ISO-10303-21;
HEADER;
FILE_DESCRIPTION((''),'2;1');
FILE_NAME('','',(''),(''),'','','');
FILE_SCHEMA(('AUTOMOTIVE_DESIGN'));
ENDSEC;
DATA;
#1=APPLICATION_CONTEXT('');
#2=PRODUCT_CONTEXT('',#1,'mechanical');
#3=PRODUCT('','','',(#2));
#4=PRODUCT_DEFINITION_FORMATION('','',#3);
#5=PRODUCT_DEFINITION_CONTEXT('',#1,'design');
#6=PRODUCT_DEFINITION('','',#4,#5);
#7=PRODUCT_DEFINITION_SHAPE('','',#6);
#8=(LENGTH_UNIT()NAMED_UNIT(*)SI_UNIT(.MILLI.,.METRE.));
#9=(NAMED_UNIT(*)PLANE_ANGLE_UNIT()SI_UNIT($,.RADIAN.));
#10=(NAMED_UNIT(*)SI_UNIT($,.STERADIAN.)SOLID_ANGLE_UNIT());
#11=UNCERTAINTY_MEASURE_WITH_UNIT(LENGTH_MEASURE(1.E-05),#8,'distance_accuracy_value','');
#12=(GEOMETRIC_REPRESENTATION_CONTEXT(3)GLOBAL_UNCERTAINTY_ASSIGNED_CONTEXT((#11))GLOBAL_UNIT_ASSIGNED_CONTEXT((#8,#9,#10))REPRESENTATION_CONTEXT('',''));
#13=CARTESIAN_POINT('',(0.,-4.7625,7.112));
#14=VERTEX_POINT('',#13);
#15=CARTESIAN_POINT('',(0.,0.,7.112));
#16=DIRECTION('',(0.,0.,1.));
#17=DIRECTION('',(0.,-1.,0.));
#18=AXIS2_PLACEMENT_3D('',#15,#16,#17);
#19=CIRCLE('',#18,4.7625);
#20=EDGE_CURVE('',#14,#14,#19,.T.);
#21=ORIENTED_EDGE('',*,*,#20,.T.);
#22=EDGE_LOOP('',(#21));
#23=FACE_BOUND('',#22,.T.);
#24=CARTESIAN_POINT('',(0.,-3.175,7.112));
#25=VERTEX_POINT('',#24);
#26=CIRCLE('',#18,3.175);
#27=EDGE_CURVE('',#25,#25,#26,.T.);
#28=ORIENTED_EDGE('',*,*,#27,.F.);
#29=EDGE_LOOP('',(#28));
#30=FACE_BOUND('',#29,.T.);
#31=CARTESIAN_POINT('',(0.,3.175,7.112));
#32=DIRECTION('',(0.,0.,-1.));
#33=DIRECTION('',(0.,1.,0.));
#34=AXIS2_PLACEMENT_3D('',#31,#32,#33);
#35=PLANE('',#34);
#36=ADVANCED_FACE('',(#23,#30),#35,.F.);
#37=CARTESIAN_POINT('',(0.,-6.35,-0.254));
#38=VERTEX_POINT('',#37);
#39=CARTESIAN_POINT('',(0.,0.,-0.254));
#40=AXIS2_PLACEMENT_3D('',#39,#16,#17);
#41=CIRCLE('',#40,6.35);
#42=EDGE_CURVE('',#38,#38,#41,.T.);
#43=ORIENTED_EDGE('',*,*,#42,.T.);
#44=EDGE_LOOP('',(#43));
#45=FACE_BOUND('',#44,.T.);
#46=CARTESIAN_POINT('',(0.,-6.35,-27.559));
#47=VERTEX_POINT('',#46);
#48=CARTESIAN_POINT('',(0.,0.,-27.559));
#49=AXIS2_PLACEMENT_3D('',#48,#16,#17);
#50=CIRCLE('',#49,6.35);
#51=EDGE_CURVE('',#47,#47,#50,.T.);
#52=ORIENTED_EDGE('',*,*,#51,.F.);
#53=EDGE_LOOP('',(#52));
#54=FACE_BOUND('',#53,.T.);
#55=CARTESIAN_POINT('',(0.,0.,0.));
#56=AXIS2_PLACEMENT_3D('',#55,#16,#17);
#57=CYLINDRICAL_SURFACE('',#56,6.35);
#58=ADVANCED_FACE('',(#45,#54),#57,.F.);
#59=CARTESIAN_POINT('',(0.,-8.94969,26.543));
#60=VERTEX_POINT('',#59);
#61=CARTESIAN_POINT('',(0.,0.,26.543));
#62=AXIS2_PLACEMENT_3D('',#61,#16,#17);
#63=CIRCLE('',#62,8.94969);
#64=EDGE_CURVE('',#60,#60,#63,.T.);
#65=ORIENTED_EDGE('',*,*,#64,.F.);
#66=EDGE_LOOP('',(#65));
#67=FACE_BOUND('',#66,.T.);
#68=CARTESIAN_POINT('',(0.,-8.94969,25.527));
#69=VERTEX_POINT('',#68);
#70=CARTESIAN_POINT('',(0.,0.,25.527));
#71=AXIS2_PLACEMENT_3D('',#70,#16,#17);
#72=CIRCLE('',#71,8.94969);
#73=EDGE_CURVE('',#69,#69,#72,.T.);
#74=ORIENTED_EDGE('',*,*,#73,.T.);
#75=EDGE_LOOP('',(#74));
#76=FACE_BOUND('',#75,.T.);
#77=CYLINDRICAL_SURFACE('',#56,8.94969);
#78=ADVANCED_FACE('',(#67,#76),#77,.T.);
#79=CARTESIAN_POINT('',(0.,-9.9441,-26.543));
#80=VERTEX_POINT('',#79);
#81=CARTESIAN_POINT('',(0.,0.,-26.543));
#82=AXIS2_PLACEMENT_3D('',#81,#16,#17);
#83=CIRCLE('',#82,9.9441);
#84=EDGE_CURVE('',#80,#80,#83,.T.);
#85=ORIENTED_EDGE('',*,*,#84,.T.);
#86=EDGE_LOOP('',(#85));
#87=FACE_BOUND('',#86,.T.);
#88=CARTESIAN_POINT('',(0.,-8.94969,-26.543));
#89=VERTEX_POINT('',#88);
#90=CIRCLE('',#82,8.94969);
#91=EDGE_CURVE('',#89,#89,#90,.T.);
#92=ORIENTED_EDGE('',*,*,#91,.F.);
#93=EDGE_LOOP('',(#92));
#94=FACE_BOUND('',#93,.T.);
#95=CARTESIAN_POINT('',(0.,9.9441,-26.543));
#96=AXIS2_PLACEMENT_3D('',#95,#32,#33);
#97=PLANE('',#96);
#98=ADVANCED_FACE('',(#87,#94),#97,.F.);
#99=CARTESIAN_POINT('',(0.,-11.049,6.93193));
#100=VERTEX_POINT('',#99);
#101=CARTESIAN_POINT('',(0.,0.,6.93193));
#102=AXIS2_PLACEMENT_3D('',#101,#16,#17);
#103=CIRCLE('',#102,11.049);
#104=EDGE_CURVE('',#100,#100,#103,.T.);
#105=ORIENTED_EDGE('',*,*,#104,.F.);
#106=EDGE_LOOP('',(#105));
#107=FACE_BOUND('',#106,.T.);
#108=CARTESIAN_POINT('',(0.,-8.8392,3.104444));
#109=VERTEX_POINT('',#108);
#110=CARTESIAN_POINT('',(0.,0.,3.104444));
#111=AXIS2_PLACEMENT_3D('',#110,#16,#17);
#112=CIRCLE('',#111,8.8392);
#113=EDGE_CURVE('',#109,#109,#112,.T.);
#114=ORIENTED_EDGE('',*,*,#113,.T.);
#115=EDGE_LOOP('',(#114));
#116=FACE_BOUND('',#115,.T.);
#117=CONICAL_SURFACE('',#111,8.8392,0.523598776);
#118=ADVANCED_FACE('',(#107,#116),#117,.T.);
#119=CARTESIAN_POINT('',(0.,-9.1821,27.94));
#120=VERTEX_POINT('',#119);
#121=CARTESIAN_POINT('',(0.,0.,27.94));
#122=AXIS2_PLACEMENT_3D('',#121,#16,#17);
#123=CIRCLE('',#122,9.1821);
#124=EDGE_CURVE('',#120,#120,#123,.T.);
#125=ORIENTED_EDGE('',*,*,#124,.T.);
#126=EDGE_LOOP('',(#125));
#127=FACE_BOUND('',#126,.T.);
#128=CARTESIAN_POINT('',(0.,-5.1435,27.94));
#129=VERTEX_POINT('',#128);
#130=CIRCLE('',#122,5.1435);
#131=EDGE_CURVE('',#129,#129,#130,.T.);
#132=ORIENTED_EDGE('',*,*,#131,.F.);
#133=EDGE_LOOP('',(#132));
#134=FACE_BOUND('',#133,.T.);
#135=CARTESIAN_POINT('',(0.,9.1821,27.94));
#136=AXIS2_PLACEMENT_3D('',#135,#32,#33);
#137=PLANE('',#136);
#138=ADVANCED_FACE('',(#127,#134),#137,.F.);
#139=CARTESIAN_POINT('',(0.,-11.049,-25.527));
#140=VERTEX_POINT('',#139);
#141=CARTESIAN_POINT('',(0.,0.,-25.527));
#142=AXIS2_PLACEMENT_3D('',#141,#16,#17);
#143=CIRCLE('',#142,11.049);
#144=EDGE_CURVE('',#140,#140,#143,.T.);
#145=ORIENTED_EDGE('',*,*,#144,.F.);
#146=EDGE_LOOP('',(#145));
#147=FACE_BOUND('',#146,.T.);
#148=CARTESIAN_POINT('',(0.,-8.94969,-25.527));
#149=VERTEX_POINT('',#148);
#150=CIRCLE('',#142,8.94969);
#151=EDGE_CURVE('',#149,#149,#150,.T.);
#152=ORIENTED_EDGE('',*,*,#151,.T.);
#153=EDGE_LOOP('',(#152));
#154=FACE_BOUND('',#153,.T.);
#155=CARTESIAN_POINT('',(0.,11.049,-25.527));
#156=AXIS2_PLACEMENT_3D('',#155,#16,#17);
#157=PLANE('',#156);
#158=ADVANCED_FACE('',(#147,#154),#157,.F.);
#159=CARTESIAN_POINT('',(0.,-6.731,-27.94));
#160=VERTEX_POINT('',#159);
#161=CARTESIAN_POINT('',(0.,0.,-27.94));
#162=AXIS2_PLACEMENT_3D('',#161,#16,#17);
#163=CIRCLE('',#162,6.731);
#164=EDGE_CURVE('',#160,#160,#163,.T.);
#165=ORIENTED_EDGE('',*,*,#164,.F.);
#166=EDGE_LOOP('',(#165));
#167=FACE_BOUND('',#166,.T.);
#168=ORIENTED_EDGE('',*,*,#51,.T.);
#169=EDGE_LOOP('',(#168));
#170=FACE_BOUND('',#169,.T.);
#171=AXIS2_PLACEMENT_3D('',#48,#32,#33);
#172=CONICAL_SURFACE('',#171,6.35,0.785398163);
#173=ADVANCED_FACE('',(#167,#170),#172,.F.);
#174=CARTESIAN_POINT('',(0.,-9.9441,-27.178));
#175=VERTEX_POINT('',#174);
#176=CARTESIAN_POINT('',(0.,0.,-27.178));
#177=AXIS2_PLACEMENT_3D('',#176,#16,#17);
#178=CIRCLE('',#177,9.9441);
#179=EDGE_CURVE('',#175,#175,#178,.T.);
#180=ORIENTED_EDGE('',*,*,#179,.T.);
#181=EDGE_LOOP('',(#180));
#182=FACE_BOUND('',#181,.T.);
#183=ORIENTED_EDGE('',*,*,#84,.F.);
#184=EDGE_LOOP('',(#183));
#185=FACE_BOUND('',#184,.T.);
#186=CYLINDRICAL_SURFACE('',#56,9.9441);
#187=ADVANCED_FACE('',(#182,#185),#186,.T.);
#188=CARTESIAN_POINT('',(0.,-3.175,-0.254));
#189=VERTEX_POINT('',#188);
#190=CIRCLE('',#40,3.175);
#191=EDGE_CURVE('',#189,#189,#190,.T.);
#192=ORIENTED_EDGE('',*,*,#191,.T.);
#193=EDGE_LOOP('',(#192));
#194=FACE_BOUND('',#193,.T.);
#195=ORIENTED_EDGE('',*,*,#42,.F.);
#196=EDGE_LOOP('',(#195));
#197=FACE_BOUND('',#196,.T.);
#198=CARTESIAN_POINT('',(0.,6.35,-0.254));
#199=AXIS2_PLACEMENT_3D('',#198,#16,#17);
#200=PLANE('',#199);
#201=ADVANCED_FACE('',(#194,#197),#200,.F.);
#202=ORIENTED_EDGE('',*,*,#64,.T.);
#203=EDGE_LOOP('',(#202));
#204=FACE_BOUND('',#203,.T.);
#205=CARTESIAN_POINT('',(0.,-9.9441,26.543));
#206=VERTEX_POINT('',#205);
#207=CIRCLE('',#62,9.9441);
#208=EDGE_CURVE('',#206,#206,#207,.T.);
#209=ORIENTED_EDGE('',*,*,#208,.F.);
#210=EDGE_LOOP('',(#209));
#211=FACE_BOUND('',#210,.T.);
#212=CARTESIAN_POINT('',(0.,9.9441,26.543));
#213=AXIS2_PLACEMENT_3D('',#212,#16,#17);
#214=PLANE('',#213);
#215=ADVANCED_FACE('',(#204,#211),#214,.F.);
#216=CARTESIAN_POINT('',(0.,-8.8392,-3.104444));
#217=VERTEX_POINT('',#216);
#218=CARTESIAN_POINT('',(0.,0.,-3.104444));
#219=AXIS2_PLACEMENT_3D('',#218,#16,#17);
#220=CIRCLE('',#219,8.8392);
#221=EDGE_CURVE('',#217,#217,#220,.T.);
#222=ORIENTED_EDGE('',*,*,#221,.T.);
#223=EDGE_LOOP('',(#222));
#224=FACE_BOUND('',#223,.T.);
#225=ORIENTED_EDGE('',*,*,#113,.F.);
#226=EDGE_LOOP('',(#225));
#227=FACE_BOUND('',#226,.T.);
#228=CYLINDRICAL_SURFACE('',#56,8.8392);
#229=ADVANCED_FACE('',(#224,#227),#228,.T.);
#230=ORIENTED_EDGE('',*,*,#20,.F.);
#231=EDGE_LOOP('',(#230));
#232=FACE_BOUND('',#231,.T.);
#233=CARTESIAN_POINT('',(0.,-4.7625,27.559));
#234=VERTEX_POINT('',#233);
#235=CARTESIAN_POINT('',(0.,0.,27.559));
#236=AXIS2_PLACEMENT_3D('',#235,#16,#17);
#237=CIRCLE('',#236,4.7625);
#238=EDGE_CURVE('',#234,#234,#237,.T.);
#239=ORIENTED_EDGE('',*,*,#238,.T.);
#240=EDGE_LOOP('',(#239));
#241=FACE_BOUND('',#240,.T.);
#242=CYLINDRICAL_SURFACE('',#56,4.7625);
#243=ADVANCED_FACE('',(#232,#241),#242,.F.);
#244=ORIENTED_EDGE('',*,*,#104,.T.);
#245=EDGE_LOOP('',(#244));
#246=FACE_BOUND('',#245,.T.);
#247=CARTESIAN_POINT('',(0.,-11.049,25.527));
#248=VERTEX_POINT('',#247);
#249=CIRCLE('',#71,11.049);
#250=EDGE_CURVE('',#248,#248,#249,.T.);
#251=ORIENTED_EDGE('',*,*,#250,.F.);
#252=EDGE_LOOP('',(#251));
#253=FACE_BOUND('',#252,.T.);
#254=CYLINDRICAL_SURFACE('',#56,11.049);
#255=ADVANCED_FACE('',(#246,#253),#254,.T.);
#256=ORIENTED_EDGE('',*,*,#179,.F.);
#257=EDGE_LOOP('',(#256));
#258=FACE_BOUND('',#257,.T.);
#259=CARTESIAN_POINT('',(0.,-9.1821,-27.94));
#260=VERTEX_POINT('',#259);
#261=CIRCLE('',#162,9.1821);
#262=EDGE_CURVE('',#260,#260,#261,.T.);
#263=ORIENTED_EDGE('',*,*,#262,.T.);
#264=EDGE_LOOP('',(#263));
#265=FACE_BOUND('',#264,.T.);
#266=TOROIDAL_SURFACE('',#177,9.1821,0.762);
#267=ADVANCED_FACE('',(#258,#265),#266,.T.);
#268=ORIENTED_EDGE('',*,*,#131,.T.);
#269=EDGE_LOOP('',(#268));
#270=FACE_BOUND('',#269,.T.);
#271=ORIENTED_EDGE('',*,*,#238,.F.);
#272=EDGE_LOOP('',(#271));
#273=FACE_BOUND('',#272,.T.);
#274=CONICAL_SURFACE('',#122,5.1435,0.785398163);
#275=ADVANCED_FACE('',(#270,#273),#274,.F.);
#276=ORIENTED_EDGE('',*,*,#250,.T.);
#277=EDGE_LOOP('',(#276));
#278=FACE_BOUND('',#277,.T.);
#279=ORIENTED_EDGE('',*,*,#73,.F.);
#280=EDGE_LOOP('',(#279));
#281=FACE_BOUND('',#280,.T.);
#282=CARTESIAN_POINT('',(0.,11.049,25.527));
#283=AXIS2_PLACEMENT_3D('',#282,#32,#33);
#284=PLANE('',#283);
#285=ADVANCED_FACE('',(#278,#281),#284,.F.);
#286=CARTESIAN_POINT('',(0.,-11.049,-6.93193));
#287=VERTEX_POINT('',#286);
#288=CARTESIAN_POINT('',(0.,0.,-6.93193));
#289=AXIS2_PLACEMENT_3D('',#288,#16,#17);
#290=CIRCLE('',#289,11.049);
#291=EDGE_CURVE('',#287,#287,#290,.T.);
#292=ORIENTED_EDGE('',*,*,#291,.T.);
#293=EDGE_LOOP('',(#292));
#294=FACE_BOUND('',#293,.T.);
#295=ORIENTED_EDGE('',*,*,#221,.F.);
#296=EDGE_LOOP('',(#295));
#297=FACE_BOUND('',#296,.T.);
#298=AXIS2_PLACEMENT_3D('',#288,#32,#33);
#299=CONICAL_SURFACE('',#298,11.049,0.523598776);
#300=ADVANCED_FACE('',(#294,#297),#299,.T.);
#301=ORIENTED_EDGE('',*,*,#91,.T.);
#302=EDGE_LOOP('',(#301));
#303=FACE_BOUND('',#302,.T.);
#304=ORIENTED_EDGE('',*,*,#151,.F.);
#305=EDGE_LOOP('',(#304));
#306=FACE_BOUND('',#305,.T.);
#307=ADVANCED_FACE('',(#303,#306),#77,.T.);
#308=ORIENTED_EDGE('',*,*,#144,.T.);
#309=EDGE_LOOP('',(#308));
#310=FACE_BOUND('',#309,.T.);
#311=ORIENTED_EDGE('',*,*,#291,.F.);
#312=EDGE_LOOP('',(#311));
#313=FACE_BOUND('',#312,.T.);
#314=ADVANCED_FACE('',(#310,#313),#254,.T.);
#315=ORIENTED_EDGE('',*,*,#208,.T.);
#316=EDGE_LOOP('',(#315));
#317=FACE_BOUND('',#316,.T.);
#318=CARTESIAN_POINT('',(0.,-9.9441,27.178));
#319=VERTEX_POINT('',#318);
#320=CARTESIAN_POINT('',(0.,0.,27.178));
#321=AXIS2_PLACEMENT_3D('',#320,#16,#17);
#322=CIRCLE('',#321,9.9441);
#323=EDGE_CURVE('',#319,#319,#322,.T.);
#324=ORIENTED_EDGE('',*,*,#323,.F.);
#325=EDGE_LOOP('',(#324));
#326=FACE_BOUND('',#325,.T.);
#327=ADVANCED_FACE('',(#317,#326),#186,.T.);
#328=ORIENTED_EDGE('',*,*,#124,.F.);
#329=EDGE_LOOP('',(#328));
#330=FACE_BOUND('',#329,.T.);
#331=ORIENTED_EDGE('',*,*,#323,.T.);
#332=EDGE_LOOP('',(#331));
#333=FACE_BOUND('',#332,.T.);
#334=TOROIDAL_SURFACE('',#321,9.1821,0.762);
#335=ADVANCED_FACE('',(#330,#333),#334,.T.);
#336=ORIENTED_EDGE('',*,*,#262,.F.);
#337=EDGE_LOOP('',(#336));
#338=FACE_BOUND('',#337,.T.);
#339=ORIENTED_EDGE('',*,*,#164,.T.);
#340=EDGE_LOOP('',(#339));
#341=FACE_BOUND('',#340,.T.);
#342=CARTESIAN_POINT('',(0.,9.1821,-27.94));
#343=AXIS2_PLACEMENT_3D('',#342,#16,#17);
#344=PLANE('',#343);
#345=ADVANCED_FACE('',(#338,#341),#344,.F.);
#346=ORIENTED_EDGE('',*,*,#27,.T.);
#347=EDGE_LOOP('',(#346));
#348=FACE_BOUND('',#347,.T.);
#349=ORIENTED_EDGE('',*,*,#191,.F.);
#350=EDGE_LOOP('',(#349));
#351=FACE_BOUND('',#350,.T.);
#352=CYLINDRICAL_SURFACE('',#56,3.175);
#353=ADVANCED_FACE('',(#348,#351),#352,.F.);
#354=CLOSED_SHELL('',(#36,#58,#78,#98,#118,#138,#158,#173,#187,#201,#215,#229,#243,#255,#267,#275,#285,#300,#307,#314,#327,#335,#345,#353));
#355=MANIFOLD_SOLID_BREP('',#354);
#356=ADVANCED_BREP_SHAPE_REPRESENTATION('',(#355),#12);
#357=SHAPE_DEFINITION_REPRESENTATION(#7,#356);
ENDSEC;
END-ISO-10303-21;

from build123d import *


with BuildPart() as part:
    # Sketch1 → Revolve1 (revolve)
    with BuildSketch(Plane(origin=(0, 0, 0), x_dir=(0, 0, -1), z_dir=(1, 0, 0)), mode=Mode.PRIVATE) as revolve1_sk:
        with BuildLine():
            Line((26.543, 9.9441), (27.178, 9.9441))
            ThreePointArc((27.178, 9.9441), (27.716815367, 9.720915367), (27.94, 9.1821))
            Line((27.94, 9.1821), (27.94, 6.731))
            Line((27.94, 6.731), (27.559, 6.35))
            Line((27.559, 6.35), (0.254, 6.35))
            Line((0.254, 6.35), (0.254, 3.175))
            Line((0.254, 3.175), (-7.112, 3.175))
            Line((-7.112, 3.175), (-7.112, 4.7625))
            Line((-7.112, 4.7625), (-27.559, 4.7625))
            Line((-27.559, 4.7625), (-27.94, 5.1435))
            Line((-27.94, 5.1435), (-27.94, 9.1821))
            ThreePointArc((-27.94, 9.1821), (-27.716815367, 9.720915367), (-27.178, 9.9441))
            Line((-27.178, 9.9441), (-26.543, 9.9441))
            Line((-26.543, 9.9441), (-26.543, 8.94969))
            Line((-26.543, 8.94969), (-25.527, 8.94969))
            Line((-25.527, 8.94969), (-25.527, 11.049))
            Line((-25.527, 11.049), (-6.931930319, 11.049))
            Line((-6.931930319, 11.049), (-3.104444444, 8.8392))
            Line((-3.104444444, 8.8392), (3.104444444, 8.8392))
            Line((3.104444444, 8.8392), (6.931930319, 11.049))
            Line((6.931930319, 11.049), (25.527, 11.049))
            Line((25.527, 11.049), (25.527, 8.94969))
            Line((25.527, 8.94969), (26.543, 8.94969))
            Line((26.543, 8.94969), (26.543, 9.9441))
        make_face()
    revolve(revolve1_sk.sketch.rotate(Axis((0, 0, 0), (0, 0, -1)), 180), axis=Axis((0, 0, 0), (0, 0, -1)))


solid = part.part
